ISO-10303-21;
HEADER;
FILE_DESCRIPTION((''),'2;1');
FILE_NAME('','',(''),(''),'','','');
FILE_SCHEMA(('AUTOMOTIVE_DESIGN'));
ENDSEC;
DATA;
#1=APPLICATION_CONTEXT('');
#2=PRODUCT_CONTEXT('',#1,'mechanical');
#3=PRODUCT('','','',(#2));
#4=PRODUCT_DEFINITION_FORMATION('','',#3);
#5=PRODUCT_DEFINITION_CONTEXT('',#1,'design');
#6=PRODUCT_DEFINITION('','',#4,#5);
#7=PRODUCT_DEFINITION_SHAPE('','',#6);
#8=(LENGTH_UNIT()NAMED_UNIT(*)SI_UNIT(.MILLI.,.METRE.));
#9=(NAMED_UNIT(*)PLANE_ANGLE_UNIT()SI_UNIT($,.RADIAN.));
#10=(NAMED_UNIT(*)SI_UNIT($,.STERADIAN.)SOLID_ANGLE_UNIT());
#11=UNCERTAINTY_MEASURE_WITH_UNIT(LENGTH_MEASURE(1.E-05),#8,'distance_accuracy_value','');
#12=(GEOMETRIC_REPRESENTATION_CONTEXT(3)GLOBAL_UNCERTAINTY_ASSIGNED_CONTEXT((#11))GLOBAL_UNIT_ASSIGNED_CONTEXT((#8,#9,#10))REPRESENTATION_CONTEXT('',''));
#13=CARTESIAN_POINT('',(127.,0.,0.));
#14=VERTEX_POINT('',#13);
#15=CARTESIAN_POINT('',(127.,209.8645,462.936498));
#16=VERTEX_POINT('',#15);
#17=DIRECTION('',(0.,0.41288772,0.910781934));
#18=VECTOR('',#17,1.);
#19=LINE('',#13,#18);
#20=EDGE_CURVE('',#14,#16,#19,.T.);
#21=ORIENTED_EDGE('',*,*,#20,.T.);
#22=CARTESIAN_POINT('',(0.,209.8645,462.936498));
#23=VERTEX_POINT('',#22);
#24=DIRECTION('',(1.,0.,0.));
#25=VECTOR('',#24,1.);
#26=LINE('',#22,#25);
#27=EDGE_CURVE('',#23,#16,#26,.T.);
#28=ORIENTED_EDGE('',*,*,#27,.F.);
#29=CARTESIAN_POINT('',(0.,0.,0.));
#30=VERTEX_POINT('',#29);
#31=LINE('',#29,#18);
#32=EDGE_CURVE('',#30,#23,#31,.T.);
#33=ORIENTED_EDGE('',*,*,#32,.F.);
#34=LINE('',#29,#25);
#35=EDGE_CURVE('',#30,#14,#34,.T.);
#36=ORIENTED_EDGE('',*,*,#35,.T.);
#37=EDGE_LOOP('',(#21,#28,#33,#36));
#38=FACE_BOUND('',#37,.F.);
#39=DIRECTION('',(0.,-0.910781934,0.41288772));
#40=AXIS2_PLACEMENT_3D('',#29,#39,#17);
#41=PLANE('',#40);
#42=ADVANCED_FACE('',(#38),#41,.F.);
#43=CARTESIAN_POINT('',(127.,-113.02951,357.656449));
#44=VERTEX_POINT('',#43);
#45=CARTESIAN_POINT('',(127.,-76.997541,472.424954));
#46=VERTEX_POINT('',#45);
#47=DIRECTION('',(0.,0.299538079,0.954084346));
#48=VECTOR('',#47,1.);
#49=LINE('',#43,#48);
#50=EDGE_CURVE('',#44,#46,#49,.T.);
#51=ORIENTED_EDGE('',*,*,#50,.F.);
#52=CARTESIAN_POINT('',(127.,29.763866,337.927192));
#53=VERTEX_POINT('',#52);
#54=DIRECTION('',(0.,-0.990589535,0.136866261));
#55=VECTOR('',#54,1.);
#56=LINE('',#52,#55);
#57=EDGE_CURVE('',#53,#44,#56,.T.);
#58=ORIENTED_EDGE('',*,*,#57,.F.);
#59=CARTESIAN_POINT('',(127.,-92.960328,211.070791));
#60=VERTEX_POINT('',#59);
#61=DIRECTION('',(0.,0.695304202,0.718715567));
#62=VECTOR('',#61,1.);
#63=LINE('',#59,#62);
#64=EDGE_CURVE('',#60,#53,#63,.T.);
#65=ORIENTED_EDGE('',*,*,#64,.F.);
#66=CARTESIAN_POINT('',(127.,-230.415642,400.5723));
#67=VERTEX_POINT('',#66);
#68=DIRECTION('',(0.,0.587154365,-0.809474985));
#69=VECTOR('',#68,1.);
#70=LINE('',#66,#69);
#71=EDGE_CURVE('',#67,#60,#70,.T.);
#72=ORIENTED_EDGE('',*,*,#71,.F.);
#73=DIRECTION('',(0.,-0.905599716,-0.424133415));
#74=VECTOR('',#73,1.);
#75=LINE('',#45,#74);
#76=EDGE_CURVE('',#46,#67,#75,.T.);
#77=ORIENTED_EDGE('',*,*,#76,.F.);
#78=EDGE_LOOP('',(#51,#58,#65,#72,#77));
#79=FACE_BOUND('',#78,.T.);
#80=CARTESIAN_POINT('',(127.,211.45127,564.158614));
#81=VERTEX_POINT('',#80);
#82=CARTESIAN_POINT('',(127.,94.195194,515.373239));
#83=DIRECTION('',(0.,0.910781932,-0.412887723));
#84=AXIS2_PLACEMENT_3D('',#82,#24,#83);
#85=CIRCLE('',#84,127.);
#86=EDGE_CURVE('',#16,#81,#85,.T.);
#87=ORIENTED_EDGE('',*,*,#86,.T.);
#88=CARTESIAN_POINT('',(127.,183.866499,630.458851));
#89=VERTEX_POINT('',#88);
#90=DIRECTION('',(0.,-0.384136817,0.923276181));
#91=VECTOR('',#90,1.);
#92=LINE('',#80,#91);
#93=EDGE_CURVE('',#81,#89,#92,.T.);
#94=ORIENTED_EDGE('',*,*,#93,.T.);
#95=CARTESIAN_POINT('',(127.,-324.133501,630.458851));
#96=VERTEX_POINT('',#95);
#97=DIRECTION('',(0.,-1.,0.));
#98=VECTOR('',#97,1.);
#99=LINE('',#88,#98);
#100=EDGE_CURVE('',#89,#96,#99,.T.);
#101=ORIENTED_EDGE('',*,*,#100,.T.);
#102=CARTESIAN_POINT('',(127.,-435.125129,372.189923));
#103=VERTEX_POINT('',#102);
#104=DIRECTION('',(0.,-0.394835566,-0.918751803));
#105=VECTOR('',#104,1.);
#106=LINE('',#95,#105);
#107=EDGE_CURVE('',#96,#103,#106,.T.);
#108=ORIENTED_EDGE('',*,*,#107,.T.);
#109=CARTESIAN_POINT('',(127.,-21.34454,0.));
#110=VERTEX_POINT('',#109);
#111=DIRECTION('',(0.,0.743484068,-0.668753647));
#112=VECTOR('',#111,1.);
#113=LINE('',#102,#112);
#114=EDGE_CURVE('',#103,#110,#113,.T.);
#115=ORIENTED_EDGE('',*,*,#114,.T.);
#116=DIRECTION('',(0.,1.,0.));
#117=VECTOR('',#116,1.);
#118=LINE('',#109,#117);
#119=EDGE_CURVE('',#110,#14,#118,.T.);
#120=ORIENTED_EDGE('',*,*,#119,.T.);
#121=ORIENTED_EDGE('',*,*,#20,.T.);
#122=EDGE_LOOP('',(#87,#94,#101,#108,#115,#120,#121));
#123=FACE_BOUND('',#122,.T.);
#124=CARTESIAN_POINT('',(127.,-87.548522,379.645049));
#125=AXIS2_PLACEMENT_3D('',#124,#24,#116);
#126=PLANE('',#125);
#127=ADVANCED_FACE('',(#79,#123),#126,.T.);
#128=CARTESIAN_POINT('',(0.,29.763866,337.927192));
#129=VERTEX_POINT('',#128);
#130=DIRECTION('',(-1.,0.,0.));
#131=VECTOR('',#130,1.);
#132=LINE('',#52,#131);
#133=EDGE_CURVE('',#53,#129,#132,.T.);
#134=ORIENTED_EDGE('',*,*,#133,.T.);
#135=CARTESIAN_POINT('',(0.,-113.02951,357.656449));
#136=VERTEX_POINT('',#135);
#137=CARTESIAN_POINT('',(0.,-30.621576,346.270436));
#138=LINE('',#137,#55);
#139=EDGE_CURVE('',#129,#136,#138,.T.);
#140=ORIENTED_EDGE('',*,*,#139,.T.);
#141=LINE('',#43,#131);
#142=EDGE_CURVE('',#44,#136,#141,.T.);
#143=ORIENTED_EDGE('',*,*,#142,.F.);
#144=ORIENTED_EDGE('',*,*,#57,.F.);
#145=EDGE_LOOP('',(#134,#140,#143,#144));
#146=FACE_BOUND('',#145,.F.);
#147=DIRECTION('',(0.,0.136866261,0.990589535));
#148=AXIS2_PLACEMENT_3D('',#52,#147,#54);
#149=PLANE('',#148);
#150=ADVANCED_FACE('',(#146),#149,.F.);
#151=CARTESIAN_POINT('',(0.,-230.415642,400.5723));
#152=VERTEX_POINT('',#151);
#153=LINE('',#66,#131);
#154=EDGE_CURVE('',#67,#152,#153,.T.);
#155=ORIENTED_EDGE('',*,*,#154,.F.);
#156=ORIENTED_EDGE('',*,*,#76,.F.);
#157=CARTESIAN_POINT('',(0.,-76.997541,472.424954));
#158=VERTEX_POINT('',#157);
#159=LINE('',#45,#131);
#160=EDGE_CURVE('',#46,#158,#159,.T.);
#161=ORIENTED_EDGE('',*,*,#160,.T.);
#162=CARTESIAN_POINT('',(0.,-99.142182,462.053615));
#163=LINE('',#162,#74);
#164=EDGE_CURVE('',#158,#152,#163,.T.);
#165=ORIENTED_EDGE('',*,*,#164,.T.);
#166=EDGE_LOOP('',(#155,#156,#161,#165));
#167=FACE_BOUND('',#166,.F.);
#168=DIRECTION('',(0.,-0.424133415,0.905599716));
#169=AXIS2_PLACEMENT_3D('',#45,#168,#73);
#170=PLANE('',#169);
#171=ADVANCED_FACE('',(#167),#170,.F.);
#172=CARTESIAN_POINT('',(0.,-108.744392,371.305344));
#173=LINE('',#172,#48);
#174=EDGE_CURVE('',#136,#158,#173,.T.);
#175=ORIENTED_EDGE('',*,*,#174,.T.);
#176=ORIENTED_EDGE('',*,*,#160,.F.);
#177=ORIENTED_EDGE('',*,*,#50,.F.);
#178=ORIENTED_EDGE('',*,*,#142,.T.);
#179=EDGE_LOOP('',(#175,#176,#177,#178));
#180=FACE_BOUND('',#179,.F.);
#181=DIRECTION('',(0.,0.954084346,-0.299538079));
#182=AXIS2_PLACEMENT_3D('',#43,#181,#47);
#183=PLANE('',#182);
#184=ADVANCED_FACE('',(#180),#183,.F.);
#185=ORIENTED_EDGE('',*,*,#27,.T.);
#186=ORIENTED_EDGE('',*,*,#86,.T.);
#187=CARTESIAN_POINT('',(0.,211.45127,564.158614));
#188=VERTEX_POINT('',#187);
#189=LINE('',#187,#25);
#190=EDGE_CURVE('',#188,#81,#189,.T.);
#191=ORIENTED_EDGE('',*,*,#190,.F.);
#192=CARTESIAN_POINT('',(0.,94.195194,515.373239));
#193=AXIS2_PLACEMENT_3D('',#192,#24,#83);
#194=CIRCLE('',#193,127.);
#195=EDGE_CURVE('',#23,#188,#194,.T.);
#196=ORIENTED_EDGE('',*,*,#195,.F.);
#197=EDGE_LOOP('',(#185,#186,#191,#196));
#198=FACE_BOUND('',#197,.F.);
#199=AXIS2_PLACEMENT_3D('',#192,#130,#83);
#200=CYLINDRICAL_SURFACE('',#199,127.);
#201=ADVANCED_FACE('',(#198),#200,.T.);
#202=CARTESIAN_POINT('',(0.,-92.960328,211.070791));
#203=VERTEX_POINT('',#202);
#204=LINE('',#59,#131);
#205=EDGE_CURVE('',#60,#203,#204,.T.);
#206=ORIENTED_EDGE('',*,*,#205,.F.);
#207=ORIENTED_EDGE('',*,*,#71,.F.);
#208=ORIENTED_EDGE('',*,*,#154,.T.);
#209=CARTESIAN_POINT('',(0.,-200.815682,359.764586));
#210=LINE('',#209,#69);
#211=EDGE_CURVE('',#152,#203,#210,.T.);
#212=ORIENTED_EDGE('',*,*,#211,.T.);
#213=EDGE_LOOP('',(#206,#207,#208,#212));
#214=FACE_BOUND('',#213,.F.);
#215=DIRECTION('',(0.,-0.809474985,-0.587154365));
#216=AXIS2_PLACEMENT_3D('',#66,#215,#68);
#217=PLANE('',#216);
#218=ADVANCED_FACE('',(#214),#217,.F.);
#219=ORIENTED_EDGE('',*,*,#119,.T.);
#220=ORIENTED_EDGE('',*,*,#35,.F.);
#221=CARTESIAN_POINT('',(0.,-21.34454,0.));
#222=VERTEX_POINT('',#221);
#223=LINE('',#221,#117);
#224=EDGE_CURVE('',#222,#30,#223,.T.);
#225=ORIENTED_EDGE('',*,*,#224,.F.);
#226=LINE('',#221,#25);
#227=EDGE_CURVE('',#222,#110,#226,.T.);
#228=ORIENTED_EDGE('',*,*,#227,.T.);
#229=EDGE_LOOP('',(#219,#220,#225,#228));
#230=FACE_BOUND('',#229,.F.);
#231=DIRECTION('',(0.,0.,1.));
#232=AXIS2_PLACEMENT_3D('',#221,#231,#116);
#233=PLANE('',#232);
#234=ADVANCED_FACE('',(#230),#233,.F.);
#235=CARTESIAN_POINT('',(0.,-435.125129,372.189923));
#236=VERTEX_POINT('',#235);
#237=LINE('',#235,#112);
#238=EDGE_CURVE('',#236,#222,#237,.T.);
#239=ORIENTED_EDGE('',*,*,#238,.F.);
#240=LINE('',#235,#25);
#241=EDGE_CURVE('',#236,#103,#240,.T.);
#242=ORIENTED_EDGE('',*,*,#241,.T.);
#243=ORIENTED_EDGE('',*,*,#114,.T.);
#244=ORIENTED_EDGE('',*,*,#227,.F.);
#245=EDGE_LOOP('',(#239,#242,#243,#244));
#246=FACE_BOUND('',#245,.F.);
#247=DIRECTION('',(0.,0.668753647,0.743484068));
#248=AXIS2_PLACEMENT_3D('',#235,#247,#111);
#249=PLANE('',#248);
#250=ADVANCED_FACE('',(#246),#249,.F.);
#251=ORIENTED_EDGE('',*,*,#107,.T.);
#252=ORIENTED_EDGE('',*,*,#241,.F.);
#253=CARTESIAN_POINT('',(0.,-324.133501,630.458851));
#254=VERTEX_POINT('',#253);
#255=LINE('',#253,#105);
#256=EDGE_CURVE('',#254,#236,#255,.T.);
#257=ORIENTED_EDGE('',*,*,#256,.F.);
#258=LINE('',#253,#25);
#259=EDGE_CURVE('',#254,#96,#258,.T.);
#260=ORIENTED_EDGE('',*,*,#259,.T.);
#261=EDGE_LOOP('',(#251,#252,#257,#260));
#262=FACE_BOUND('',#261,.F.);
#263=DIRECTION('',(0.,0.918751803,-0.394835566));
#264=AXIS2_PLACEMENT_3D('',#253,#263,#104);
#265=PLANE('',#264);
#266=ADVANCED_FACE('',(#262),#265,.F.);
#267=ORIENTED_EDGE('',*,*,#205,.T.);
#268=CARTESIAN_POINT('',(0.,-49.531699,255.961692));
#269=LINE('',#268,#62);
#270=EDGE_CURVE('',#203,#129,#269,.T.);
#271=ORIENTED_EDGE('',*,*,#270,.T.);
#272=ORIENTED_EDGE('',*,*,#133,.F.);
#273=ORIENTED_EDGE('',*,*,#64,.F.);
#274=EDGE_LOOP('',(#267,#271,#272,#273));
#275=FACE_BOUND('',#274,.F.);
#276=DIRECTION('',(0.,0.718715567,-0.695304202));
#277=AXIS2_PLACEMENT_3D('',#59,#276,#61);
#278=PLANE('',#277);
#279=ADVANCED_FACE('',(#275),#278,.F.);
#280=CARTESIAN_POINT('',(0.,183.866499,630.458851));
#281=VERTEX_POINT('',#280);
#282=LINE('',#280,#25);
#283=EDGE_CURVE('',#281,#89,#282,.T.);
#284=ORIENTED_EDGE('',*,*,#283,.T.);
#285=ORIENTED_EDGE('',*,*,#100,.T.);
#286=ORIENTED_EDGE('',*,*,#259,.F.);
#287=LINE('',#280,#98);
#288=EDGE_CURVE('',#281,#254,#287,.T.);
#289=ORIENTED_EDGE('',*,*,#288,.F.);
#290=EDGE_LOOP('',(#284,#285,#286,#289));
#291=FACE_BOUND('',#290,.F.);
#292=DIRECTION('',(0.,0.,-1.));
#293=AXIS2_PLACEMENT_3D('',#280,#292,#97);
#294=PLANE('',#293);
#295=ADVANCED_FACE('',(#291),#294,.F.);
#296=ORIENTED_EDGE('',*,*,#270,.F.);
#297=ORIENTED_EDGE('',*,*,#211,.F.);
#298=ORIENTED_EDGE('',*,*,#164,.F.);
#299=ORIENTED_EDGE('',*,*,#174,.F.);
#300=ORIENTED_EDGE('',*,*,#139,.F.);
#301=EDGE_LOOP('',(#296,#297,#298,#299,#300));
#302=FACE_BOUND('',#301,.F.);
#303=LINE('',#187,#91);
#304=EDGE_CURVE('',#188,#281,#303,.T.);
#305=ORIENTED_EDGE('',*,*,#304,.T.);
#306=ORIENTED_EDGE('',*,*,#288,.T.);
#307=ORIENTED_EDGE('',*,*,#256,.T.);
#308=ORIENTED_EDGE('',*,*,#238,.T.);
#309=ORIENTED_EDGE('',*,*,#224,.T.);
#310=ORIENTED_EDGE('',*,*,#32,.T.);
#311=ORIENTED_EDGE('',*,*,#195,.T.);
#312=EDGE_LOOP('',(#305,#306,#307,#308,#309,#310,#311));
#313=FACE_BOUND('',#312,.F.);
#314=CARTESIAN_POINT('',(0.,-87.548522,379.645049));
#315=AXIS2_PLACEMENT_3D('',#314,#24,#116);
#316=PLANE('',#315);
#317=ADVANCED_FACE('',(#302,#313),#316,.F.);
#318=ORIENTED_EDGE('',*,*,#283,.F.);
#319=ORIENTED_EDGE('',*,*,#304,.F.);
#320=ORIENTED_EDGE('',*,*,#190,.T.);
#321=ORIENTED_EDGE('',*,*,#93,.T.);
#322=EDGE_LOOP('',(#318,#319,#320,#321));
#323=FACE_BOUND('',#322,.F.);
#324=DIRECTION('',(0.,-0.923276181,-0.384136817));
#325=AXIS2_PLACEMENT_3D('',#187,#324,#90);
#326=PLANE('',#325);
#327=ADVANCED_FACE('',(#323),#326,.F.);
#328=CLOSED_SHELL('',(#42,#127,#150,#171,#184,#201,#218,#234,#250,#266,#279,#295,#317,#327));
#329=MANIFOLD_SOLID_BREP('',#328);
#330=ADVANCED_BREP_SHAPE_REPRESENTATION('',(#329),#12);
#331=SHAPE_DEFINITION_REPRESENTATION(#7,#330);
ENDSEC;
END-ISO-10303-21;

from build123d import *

# Parameters (mm, degrees)
F1_DEPTH = 127
F3_DEPTH = 254


with BuildPart() as f1:
    # F0 (on Right) → F1 (new body)
    with BuildSketch(Plane.YZ):
        with BuildLine():
            Line((-21.34454, 0), (0, 0))
            Line((0, 0), (209.8645, 462.936498))
            ThreePointArc((209.8645, 462.936498), (221.179593, 513.382616), (211.45127, 564.158614))
            Line((211.45127, 564.158614), (183.866499, 630.458851))
            Line((183.866499, 630.458851), (-324.133501, 630.458851))
            Line((-324.133501, 630.458851), (-435.125129, 372.189923))
            Line((-435.125129, 372.189923), (-21.34454, 0))
        make_face()
    extrude(amount=F1_DEPTH)

    # F2 (on face) → F3 (cut)
    with BuildSketch(Plane.YZ.offset(127)):
        Polygon((-76.997541, 472.424954), (-230.415642, 400.5723), (-92.960328, 211.070791), (29.763866, 337.927192), (-113.02951, 357.656449), align=None)
    extrude(amount=-F3_DEPTH, mode=Mode.SUBTRACT)


solid = f1.part
